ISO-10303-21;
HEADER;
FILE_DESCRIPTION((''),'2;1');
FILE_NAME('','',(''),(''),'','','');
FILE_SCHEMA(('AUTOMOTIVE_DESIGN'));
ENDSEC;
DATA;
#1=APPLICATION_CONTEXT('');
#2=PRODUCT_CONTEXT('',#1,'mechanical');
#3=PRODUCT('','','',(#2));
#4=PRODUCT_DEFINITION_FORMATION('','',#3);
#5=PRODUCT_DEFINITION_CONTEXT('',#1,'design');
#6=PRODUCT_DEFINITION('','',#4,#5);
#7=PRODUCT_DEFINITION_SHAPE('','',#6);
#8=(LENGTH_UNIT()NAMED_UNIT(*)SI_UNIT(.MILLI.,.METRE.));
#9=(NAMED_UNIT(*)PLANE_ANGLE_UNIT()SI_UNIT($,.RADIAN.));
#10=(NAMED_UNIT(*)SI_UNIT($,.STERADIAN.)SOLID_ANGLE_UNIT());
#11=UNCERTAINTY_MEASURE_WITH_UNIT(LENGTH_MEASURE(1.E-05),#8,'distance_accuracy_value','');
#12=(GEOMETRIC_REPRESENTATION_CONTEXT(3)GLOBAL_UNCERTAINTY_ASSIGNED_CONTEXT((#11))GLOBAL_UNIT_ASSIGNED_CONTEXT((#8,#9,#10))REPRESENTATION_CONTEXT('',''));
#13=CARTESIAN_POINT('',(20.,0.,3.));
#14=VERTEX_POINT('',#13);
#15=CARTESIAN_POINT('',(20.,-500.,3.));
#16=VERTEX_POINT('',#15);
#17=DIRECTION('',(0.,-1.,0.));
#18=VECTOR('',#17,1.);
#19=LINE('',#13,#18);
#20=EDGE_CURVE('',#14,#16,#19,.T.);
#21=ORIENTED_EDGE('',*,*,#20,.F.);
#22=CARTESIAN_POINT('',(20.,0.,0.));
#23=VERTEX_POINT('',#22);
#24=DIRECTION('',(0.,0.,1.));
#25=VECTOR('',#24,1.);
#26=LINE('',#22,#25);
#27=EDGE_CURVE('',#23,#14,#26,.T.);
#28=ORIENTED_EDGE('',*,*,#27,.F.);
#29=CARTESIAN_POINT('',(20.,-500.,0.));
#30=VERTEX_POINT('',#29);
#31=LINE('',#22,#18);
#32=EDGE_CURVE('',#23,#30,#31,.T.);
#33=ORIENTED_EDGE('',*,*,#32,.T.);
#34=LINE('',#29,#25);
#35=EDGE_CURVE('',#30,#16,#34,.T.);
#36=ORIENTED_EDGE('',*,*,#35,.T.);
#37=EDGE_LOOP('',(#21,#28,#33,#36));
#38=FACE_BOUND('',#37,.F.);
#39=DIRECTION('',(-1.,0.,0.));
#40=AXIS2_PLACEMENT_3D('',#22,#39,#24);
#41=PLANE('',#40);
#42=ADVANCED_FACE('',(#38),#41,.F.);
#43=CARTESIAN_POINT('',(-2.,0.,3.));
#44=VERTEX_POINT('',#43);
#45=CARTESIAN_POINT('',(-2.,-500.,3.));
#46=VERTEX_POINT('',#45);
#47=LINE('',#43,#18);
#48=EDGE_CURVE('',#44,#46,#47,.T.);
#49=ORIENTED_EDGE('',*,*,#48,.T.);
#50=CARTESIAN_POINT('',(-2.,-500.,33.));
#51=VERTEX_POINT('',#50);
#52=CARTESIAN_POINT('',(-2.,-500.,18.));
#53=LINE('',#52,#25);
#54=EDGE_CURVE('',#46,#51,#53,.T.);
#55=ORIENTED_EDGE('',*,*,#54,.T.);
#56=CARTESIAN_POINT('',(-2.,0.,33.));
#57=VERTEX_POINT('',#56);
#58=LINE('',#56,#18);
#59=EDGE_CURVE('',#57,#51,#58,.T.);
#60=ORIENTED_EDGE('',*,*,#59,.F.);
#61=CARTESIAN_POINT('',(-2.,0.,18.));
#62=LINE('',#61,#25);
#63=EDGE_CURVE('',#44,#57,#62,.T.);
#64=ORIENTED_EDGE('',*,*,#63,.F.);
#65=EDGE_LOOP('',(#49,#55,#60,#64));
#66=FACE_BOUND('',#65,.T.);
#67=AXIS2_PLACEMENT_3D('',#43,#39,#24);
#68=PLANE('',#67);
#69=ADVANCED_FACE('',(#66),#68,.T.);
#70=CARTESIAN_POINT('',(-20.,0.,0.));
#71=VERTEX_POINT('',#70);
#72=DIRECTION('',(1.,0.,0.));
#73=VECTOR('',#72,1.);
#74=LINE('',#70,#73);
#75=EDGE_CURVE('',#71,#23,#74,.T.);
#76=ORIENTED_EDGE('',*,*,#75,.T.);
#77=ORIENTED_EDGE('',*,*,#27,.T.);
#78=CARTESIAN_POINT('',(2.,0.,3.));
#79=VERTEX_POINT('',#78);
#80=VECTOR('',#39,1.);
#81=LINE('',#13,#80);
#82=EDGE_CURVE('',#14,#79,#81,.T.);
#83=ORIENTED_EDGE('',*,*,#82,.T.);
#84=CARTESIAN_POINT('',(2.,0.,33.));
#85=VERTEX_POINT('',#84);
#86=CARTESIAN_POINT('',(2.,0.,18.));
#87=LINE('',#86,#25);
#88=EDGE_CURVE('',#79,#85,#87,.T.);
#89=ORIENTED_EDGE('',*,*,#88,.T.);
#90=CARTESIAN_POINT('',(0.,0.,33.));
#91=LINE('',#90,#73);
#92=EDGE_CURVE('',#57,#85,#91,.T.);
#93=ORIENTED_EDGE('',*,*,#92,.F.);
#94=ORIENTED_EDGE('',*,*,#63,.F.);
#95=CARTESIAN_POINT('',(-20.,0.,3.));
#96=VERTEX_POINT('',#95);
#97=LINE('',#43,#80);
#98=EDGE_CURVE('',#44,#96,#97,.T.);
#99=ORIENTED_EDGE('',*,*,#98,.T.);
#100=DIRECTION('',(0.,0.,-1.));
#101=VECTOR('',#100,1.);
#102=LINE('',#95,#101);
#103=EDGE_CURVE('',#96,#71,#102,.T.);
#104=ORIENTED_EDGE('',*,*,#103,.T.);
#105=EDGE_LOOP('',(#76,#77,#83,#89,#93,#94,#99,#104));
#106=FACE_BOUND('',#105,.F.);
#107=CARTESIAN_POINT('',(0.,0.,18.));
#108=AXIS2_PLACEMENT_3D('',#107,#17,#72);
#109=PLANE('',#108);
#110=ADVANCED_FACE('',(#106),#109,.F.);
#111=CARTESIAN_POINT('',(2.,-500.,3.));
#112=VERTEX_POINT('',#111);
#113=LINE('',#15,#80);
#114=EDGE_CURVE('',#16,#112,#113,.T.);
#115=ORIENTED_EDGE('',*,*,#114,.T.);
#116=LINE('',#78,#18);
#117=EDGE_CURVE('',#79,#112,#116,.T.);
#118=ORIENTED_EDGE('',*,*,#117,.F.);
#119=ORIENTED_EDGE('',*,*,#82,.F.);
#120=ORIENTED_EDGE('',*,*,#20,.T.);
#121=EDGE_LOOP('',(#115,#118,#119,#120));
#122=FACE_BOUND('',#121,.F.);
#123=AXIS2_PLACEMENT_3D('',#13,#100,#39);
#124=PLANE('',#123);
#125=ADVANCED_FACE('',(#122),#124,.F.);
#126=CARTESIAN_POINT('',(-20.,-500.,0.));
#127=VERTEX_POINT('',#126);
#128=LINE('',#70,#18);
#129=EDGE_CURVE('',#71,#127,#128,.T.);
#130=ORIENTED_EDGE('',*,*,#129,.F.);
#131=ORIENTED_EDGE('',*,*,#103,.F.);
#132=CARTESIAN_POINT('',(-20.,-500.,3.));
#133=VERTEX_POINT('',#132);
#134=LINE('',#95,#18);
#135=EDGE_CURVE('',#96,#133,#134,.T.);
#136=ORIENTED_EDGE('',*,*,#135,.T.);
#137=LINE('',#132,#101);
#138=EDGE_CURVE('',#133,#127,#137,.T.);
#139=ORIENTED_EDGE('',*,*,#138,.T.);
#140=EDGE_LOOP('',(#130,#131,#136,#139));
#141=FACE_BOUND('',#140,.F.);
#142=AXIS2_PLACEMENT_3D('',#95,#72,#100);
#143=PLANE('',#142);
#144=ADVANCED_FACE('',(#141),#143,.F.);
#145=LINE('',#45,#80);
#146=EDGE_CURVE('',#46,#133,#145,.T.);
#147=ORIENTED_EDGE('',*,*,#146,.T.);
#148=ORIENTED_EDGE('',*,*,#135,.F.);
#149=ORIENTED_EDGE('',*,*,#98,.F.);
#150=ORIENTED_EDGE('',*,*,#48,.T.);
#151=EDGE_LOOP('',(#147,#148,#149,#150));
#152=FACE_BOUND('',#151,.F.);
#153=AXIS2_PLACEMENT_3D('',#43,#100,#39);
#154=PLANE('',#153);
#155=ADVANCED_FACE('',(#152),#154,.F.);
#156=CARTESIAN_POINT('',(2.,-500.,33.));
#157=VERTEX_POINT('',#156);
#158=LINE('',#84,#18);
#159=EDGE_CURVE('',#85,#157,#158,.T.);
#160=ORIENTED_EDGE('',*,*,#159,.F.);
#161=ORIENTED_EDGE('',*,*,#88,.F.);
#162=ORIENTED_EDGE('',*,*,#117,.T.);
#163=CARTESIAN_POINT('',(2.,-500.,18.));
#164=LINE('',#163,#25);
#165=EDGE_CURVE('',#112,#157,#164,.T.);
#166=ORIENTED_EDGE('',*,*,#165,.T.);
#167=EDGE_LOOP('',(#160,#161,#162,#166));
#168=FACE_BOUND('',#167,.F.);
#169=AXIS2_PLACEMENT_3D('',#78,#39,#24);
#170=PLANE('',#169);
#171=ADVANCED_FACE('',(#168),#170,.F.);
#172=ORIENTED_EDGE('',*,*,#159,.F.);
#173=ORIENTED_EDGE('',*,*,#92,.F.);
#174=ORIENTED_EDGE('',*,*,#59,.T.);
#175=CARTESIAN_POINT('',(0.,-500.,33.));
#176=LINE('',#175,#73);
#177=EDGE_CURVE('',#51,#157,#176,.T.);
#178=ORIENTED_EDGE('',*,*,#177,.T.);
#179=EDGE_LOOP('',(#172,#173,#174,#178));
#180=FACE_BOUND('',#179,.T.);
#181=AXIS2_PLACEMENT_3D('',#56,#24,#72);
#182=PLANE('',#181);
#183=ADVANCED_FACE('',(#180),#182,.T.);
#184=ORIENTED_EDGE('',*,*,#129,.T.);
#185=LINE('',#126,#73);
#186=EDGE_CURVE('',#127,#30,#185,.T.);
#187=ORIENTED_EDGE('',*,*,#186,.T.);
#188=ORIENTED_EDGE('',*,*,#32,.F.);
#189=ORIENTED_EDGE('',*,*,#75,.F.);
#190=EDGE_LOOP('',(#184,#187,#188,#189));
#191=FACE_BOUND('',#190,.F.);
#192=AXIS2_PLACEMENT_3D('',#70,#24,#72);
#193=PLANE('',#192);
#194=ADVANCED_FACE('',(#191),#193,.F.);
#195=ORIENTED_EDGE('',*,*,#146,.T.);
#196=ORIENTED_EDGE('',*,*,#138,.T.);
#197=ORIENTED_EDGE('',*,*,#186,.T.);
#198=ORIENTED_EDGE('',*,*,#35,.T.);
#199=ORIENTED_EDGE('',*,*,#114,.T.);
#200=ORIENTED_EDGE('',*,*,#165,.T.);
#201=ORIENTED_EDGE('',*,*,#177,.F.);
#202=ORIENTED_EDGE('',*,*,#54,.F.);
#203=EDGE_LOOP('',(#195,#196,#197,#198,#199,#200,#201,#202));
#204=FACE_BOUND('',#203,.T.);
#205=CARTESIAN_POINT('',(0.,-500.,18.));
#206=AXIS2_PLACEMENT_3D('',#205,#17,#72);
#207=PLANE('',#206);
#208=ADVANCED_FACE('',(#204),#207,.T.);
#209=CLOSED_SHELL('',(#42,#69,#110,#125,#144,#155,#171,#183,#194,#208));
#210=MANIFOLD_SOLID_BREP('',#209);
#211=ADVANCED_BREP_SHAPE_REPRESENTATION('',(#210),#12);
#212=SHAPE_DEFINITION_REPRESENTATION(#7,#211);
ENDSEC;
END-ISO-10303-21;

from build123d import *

# Parameters (mm, degrees)
F0_W     = 4
F0_H     = 30
F1_DEPTH = 500


with BuildPart() as f1:
    # F0 (on Front) → F1 (new body)
    with BuildSketch(Plane.XZ):
        with Locations((0, 18)):
            Rectangle(F0_W, F0_H)
        Polygon((-2, 3), (-20, 3), (-20, 0), (20, 0), (20, 3), (2, 3), align=None)
    extrude(amount=F1_DEPTH)


solid = f1.part
